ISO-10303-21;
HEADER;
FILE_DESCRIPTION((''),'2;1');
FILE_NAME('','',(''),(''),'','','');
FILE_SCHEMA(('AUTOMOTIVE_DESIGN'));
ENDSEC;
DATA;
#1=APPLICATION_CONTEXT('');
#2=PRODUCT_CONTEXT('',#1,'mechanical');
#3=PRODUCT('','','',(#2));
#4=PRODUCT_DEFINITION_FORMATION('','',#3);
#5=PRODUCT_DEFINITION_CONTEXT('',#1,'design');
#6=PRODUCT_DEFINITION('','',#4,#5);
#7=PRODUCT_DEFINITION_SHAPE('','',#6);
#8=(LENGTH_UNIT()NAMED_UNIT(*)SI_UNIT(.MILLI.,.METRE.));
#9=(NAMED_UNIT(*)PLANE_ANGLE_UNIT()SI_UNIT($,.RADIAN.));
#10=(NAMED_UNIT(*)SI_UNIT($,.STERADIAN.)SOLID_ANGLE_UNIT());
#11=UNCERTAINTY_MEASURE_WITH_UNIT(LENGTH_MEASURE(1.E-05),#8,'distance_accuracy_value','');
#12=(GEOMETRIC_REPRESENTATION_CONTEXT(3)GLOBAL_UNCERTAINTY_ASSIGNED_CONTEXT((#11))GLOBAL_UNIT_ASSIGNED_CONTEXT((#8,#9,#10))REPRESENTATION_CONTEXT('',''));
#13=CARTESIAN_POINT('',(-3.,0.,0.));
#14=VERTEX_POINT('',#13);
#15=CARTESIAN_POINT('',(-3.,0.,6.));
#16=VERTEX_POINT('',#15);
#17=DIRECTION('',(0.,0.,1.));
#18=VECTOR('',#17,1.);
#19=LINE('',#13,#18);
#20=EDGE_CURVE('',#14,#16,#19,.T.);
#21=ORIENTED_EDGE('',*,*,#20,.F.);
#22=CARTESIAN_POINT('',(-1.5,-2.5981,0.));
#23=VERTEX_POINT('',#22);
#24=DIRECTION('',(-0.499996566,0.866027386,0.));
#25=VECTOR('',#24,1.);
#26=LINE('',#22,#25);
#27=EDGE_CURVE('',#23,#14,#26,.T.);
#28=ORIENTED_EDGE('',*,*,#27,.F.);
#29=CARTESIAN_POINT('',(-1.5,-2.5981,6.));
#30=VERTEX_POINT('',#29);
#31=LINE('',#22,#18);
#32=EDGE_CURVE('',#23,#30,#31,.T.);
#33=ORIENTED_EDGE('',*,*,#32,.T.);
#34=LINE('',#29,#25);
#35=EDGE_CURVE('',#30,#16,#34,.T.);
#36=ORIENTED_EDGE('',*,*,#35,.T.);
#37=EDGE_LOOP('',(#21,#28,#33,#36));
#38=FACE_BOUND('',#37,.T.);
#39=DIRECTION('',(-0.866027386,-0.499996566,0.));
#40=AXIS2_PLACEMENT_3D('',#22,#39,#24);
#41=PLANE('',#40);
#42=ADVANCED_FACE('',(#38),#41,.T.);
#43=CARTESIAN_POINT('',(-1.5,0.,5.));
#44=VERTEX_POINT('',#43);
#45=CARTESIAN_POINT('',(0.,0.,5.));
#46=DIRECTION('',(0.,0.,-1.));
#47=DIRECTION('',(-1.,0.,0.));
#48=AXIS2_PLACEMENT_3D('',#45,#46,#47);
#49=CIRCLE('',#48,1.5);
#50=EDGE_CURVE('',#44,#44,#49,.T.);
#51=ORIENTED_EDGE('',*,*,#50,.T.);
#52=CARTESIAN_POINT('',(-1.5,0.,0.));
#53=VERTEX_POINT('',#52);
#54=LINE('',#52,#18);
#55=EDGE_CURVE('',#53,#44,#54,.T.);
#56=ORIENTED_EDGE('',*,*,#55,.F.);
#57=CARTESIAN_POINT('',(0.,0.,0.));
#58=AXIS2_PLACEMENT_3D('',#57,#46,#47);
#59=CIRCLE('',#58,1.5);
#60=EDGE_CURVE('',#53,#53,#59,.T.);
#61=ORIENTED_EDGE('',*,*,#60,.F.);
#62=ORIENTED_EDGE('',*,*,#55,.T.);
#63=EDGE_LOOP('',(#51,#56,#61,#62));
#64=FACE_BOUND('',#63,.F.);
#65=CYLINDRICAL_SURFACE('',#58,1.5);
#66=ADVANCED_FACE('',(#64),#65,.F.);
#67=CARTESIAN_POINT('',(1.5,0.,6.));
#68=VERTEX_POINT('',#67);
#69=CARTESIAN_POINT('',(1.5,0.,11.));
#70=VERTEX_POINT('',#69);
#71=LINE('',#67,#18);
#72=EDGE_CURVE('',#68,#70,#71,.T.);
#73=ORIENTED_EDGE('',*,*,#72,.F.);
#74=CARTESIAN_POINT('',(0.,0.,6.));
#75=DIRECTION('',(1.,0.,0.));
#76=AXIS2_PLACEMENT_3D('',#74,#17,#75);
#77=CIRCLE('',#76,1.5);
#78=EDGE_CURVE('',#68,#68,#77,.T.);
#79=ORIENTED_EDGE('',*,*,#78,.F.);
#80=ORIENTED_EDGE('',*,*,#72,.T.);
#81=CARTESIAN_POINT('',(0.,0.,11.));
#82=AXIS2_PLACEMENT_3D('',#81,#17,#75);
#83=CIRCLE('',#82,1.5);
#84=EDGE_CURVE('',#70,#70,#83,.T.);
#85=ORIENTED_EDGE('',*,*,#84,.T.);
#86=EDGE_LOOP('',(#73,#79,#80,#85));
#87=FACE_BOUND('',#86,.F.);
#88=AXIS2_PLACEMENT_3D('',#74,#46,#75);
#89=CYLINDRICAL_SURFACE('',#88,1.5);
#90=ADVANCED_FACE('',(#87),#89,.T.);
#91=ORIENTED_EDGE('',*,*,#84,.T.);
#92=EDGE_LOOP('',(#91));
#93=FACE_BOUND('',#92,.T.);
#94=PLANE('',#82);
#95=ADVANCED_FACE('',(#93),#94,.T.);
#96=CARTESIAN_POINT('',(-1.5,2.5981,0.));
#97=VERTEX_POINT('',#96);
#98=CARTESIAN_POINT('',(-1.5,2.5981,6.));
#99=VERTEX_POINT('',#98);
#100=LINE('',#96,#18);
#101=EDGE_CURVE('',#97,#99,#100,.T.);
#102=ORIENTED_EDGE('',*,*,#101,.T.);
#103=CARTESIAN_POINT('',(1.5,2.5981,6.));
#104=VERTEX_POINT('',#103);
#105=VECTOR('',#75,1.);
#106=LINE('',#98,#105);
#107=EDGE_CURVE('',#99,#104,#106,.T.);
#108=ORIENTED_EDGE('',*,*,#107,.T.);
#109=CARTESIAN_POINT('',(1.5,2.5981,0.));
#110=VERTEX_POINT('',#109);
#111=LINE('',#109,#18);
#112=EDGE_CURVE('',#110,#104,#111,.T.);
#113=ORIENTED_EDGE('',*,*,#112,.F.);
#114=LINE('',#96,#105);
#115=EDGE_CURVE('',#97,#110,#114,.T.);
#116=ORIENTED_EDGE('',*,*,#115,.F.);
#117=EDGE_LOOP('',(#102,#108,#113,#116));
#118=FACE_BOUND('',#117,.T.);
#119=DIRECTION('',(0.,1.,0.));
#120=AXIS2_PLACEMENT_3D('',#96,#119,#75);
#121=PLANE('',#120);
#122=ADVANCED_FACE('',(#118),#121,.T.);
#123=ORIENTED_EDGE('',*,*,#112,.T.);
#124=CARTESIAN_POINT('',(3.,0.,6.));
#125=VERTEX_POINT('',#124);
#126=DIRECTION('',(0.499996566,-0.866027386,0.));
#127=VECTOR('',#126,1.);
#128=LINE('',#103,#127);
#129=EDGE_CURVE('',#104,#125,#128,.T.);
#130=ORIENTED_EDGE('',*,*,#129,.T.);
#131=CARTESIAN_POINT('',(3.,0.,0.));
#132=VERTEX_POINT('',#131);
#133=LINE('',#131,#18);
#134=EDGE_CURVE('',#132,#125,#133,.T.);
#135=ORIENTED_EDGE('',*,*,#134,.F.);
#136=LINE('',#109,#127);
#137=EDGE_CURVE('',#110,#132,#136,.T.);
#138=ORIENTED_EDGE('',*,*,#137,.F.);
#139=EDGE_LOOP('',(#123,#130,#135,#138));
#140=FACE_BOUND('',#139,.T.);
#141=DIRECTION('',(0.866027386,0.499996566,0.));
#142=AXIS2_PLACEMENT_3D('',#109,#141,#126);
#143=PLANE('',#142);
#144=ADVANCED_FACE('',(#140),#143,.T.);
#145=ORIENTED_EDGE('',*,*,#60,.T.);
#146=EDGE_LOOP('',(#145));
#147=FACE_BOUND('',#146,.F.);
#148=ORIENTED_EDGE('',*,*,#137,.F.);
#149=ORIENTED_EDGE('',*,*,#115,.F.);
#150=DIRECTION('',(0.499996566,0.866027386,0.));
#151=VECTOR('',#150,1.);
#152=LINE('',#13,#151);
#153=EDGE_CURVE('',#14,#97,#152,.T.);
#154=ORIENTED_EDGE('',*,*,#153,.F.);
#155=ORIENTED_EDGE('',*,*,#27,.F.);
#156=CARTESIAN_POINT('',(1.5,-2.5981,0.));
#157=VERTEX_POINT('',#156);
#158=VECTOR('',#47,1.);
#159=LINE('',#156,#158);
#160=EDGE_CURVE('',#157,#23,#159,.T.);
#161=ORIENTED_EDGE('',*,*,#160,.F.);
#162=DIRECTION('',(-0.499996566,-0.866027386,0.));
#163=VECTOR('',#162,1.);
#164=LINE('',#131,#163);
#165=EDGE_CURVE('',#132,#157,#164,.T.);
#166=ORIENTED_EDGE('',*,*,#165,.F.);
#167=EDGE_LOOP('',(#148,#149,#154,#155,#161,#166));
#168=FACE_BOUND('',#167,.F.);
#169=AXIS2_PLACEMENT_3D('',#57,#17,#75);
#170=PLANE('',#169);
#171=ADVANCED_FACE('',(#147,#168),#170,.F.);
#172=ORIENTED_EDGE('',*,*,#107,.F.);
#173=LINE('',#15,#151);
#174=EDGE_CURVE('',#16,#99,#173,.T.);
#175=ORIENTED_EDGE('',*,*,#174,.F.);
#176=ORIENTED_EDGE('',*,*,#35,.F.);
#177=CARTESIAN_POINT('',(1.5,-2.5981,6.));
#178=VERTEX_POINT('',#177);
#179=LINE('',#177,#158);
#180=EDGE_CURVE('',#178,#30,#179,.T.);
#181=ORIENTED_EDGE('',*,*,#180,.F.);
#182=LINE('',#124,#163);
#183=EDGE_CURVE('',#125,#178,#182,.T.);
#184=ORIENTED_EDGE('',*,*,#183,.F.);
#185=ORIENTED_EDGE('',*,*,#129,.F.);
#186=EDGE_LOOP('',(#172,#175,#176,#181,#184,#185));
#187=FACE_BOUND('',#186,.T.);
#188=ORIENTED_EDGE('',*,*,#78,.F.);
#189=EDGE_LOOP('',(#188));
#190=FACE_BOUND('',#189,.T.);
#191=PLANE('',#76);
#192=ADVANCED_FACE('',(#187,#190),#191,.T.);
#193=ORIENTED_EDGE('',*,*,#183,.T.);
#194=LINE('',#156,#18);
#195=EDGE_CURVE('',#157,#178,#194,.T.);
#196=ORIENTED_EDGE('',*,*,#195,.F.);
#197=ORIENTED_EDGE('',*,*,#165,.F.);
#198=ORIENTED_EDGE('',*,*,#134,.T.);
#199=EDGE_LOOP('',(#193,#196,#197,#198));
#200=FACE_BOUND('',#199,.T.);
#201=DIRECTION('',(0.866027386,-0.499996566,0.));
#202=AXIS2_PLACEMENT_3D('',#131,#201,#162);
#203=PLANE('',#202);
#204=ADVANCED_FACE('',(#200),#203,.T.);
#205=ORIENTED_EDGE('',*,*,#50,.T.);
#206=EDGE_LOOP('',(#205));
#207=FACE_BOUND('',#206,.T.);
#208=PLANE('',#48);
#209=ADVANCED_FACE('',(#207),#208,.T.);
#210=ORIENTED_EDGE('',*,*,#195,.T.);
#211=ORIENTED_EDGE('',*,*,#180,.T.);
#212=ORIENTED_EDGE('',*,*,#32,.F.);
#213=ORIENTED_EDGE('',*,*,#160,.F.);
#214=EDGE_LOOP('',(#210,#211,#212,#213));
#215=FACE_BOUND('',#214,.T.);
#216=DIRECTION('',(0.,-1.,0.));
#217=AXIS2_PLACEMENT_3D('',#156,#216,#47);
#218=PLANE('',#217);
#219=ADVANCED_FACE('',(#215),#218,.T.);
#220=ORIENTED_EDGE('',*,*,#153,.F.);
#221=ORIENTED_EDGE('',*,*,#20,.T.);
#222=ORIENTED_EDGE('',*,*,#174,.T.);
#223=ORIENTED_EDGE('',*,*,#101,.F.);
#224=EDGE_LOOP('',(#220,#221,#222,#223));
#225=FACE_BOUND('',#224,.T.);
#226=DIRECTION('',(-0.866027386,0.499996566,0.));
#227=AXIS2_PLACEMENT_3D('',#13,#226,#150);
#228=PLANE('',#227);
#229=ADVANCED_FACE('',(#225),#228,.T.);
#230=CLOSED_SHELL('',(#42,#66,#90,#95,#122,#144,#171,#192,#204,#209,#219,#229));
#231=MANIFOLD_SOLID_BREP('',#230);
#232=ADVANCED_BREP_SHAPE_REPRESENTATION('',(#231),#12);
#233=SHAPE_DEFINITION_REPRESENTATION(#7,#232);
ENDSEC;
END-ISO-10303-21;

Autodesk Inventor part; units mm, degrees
ref_plane "YZ Plane" through (0, 0, 0) normal (1, 0, 0) x (0, 1, 0)
ref_plane "XZ Plane" through (0, 0, 0) normal (0, 1, 0) x (-1, 0, 0)
ref_plane "XY Plane" through (0, 0, 0) normal (0, 0, 1) x (1, 0, 0)
sketch "스케치1" plane through (0, 0, 0) normal (0, 0, 1) x (1, 0, 0)
  line L0 (-3, 0) -> (-1.5, 2.5981)
  line L1 (-1.5, 2.5981) -> (1.5, 2.5981)
  line L2 (1.5, 2.5981) -> (3, 0)
  line L3 (3, 0) -> (1.5, -2.5981)
  line L4 (1.5, -2.5981) -> (-1.5, -2.5981)
  line L5 (-1.5, -2.5981) -> (-3, 0)
  point P0 (0, 0)
  point P1 (0, 0)
  dimension "d0" = 6
extrude "돌출1" add sketch "스케치1" along normal blind 6
sketch "스케치2" plane through (0, 0, 6) normal (0, 0, 1) x (1, 0, 0)
  circle A0 centre (0, 0) radius 1.5
  dimension "d3" = 3
extrude "돌출2" add sketch "스케치2" along normal blind 5
sketch "스케치3" plane through (0, 0, 0) normal (0, 0, -1) x (-1, 0, 0)
  circle A0 centre (0, 0) radius 1.5
  dimension "d6" = 3
extrude "돌출3" cut sketch "스케치3" against normal blind 5
properties part number "50mm지지대"
